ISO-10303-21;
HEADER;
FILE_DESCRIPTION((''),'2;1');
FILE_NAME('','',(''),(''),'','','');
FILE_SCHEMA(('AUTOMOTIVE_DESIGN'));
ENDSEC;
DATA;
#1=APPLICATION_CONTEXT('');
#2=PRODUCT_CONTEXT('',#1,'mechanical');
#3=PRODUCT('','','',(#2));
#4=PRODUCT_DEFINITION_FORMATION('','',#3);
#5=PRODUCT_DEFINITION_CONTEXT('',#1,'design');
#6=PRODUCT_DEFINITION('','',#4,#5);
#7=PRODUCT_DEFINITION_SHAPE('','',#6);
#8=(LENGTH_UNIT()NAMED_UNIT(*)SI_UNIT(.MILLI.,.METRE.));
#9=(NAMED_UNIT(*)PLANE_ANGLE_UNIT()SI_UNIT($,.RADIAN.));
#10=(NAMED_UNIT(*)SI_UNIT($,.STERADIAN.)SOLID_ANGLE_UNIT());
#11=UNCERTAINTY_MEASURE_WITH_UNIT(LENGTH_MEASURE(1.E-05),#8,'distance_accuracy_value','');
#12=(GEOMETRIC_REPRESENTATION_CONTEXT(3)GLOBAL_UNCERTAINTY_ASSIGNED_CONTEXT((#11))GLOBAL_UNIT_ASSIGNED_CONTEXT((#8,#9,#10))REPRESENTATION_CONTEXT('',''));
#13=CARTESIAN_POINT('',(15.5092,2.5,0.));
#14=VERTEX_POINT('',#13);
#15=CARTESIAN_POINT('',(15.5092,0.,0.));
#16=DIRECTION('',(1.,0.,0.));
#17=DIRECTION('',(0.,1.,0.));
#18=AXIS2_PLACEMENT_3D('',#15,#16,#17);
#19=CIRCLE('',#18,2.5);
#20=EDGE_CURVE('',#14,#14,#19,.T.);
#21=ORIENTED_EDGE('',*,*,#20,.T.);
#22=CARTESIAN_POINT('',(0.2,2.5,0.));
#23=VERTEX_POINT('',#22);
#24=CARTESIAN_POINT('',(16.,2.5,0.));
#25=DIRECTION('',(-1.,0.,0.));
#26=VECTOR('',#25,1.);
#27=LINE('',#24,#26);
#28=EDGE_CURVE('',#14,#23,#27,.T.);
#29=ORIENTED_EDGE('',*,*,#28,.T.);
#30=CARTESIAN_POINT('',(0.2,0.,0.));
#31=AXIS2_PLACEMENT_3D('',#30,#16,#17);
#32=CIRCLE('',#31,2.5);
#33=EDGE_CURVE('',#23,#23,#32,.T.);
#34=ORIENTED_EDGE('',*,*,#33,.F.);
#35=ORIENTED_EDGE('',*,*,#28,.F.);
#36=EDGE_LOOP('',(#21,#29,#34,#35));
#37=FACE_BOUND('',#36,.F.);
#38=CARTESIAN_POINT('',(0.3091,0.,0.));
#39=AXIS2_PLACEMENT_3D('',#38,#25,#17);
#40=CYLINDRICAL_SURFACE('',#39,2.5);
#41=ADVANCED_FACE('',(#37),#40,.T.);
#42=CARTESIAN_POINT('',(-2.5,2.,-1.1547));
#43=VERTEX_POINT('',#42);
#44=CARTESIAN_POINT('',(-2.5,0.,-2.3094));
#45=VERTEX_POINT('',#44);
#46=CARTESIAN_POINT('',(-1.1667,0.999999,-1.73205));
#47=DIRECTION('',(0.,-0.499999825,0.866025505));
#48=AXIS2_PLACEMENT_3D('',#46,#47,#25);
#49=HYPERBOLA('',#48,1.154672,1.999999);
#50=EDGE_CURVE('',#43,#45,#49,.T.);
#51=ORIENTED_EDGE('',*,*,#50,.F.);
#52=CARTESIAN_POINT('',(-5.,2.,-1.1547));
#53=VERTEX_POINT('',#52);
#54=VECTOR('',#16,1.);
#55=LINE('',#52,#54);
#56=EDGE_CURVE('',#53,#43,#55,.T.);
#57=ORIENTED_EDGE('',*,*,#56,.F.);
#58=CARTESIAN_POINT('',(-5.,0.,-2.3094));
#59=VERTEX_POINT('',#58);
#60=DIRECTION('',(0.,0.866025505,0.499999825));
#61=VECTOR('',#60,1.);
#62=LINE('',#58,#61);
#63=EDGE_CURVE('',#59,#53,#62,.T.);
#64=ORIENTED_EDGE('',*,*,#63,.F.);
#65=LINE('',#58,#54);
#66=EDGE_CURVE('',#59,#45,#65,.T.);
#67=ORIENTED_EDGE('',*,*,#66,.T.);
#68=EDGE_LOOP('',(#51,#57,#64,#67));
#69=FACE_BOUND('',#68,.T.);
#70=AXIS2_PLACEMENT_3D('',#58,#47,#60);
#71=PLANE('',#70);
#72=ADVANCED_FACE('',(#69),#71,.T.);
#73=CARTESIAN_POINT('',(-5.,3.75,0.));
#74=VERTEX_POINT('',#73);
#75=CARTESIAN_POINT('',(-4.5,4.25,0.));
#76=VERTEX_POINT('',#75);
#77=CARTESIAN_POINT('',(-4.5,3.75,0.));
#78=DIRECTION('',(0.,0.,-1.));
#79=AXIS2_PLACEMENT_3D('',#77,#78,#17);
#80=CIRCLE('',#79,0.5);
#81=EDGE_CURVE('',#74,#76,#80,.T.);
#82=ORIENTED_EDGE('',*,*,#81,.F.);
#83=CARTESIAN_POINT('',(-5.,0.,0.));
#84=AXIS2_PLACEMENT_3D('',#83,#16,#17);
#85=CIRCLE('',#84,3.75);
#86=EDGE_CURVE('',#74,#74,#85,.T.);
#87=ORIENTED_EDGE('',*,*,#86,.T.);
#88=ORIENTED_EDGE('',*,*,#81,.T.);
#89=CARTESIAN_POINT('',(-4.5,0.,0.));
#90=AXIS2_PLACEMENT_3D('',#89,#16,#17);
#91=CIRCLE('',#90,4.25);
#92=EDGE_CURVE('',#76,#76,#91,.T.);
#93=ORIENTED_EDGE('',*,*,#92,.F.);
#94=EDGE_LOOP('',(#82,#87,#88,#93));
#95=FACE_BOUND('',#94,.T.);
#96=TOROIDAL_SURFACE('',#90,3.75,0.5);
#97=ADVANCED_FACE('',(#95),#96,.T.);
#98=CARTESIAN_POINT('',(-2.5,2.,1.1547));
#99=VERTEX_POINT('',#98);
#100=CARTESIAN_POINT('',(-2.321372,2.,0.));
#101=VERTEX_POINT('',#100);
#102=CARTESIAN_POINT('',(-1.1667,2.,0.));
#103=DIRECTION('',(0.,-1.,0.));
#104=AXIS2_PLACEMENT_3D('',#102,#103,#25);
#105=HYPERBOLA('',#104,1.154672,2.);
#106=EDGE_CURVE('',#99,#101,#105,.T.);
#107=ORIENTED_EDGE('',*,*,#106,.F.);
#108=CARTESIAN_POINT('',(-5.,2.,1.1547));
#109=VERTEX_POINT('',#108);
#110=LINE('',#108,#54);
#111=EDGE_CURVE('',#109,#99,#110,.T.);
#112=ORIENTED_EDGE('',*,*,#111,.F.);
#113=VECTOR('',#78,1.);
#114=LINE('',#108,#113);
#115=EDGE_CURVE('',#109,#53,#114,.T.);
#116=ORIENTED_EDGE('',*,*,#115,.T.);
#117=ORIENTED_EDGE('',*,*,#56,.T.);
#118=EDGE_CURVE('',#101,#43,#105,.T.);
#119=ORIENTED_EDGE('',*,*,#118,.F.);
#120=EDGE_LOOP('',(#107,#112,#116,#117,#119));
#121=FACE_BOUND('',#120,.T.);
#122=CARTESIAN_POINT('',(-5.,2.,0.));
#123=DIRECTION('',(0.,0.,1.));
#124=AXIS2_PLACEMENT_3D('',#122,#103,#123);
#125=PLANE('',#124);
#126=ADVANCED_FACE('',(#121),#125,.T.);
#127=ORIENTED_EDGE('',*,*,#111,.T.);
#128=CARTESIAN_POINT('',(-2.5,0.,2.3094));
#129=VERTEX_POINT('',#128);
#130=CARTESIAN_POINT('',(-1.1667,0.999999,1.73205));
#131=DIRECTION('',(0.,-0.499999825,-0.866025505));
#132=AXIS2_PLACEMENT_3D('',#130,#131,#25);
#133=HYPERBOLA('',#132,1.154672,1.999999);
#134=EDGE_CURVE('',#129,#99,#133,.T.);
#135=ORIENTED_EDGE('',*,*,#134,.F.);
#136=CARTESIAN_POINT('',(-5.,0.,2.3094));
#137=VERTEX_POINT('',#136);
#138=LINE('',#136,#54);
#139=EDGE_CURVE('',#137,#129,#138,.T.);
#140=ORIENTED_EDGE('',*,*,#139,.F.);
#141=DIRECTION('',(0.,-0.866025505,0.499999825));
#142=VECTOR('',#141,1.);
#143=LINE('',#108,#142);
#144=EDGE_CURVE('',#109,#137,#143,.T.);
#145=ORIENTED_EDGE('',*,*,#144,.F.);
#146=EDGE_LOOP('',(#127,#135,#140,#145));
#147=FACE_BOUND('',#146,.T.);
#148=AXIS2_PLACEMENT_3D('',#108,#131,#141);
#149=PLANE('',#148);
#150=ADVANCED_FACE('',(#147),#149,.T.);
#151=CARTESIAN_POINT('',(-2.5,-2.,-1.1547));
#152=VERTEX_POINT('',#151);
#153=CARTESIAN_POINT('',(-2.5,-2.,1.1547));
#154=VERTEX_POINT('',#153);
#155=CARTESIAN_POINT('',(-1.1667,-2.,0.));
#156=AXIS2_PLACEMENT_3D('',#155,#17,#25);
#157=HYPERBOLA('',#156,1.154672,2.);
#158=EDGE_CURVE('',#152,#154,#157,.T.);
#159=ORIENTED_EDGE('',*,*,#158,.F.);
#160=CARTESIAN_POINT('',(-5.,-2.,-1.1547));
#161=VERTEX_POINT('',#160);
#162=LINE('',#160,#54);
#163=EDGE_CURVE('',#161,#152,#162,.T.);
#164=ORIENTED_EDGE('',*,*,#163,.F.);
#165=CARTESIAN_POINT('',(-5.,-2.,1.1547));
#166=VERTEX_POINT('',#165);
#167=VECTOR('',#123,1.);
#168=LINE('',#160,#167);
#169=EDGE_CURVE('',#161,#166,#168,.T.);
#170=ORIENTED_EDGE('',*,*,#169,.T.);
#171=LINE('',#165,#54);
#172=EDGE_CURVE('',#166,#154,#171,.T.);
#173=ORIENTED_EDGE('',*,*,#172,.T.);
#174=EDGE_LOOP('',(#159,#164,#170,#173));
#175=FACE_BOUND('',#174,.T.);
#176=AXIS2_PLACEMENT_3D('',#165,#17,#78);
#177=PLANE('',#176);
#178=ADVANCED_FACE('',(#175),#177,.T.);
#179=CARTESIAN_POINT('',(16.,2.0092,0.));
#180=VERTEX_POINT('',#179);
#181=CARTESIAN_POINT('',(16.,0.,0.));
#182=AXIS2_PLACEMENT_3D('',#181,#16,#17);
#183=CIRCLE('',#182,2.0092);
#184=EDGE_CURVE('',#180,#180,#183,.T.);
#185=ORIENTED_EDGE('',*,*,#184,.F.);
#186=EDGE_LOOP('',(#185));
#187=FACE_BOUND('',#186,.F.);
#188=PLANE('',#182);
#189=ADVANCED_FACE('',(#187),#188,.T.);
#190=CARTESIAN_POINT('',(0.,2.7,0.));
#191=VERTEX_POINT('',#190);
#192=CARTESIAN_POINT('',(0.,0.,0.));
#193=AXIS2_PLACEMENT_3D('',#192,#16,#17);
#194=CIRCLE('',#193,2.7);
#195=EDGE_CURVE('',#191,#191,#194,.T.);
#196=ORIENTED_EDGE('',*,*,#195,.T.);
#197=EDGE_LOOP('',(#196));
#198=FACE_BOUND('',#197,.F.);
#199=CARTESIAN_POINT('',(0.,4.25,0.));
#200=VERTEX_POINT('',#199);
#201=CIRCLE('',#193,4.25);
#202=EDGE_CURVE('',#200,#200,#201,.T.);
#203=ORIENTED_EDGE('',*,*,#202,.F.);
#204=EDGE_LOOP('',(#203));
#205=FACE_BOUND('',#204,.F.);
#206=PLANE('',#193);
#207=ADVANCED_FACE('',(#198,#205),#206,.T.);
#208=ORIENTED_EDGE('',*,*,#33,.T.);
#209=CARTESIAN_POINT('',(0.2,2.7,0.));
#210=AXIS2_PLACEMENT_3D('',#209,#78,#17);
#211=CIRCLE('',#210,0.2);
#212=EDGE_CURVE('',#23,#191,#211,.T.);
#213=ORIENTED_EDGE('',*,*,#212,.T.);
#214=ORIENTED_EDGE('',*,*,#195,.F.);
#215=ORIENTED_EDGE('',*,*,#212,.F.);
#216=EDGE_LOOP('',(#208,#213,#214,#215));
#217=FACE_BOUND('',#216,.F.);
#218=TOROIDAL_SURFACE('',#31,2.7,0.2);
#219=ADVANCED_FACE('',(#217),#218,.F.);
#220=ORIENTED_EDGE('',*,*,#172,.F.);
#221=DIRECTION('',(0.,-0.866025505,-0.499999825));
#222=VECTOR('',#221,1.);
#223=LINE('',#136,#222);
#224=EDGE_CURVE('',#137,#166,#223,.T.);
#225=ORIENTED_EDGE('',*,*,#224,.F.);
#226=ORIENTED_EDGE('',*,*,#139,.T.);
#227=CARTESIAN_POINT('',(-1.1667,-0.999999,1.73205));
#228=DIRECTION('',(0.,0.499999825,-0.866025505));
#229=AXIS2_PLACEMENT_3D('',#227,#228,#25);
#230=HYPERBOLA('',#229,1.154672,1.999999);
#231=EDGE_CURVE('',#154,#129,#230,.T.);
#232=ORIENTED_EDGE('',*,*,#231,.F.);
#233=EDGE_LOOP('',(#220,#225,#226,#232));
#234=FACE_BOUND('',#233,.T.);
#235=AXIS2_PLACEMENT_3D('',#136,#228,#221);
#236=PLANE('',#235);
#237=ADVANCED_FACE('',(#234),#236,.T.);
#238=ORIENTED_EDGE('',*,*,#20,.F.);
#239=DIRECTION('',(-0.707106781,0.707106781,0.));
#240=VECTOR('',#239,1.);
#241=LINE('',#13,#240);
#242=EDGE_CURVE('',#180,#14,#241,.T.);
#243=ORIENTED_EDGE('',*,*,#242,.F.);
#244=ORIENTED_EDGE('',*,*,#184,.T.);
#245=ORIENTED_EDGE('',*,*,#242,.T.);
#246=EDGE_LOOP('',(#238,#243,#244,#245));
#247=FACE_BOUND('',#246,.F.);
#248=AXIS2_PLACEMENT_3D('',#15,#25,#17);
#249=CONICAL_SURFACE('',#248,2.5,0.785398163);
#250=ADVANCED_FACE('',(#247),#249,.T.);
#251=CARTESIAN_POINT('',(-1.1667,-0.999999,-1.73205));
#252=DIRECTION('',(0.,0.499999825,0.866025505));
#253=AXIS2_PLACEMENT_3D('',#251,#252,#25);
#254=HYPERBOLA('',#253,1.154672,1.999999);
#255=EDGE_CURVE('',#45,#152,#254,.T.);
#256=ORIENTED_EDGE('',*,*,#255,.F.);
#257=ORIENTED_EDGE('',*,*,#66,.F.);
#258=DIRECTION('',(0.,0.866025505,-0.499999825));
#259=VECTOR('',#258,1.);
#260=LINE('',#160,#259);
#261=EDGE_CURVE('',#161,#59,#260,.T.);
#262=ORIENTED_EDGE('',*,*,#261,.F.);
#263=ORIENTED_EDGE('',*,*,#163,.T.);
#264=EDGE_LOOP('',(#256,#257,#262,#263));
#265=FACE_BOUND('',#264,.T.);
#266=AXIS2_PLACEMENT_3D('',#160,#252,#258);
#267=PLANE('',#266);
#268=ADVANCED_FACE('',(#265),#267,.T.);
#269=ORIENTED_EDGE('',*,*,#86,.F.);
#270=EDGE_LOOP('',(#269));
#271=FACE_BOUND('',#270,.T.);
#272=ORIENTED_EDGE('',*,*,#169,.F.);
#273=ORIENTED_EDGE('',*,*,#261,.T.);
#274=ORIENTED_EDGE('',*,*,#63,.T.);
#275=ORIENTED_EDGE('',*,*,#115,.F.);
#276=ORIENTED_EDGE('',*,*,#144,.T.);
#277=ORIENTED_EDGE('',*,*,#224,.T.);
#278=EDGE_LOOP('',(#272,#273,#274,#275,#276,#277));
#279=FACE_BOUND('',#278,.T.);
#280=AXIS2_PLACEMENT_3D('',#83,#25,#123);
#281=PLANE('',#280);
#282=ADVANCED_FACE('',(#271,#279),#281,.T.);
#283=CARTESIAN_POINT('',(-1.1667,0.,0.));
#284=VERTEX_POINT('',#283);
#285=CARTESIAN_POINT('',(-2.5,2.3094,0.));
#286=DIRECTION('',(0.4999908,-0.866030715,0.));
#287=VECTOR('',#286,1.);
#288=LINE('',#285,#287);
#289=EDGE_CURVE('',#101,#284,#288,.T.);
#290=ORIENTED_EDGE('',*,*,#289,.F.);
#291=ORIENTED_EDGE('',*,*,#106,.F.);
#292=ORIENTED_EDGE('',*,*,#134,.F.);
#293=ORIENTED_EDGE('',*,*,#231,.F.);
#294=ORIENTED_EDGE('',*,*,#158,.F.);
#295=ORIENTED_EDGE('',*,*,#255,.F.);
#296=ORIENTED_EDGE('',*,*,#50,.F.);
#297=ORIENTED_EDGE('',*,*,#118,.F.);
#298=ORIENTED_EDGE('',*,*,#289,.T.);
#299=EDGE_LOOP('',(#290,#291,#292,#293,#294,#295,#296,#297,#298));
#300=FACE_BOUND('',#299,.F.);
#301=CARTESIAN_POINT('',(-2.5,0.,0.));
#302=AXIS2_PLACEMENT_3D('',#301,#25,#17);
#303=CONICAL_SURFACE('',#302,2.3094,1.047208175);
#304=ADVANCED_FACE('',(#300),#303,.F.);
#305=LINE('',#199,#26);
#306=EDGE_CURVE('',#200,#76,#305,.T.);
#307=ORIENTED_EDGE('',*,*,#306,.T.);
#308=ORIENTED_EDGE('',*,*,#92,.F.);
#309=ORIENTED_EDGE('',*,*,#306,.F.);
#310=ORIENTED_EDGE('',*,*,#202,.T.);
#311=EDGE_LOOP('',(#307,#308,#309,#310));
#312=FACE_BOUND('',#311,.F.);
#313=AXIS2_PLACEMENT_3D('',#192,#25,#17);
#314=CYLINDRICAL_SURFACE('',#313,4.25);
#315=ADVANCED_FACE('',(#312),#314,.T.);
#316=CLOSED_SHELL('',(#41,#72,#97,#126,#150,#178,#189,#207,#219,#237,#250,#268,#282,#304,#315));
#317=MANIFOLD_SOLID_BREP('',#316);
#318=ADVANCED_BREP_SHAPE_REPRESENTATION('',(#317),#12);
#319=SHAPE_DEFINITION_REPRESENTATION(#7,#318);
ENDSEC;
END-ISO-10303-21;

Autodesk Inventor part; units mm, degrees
ref_plane "YZ Plane" through (0, 0, 0) normal (1, 0, 0) x (0, 1, 0)
ref_plane "XZ Plane" through (0, 0, 0) normal (0, 1, 0) x (-1, 0, 0)
sketch "Sketch1" plane through (0, 0, 0) normal (0, 0, 1) x (1, 0, 0)
  line L0 (-1.1667, 0) -> (16, 0)
  line L1 (16, 0) -> (16, 2.5)
  line L2 (16, 2.5) -> (0.8, 2.5)
  line L3 (0.8, 2.5) -> (0.3091, 2.5)
  line L4 (0.3091, 2.5) -> (0, 2.5)
  line L5 (0, 2.5) -> (0, 4.25)
  line L6 (0, 4.25) -> (-5, 4.25)
  line L7 (-5, 4.25) -> (-5, 2.3094)
  line L8 (-5, 2.3094) -> (-2.5, 2.3094)
  line L9 (-2.5, 2.3094) -> (-1.1667, 0)
  line L10 (-9.2, 0) -> (20.2, 0) projected
  line L11 (0, -0.85) -> (0, 5.1) projected
  line L12 (0.8, 2.5) -> (0, 2.5) construction
  dimension "d1" = 15.2
  dimension "d2" = 0.4909
  dimension "d3" = 5
  dimension "d4" = 2.5
  dimension "d5" = 60
  dimension "d6" = 5
  dimension "d7" = 5
  dimension "d8" = 4.6188
  dimension "d9" = 8.5
  dimension "d26" = 16
revolve "Body" add sketch "Sketch1" angle 360 about axis through (-1.1667, 0, 0) along (1, 0, 0)
sketch "Sketch2" plane through (-5, 0, 0) normal (-1, 0, 0) x (0, 0, 1)
  circle A0 centre (0, 0) radius 2.3094 projected
  line L0 (0, -5.95) -> (0, 5.95) projected
  line L1 (-5.95, 0) -> (5.95, 0) projected
  line L2 (2.3094, 0) -> (1.1547, -2)
  line L3 (1.1547, -2) -> (-1.1547, -2)
  line L4 (-1.1547, -2) -> (-2.3094, 0)
  line L5 (-2.3094, 0) -> (-1.1547, 2)
  line L6 (-1.1547, 2) -> (1.1547, 2)
  line L7 (1.1547, 2) -> (2.3094, 0)
extrude "Slot" add sketch "Sketch2" against normal up to next contours L7 A0 | A0 L2 | L6 L0 A0 | A0 L0 L3 | L0 L6 A0 | A0 L3 L0 | L4 A0 | A0 L5
fillet "Fillet1" radius 0.5 1 edges at (-5, -4.25, 0)
thread "Thread" size "M5x0.8" designation "M5" class "6g" standard "GB Metric profile" length 15.2
chamfer "Chamfer1" distance 0.4908 distance2 0.4908 1 edges at (16, -2.5, 0) measured on face at (16, -1.1374, -1.1324)
ref_plane "Work Plane1" through (29, 0, 0) normal (0, -1, 0) x (1, 0, 0)
fillet "Fillet2" radius 0.2 1 edges at (0, -2.5, 0)
equation "\"d1\" = GEL"
equation "\"d3\" = KOH"
equation "\"d4\" = INTI"
equation "\"d6\" = GD"
equation "\"d7\" = BDM"
equation "\"d8\" = 1.1547 * SW"
equation "\"d9\" = KOD"
equation "\"d26\" = NLG"
equation "\"d30\" = R"
equation "\"d17\" = RR"
equation "\"d13\" = GEL"
equation "\"d15\" = -0.5 * SPD + 0.5 * GD"
equation "\"d16\" = GUL"
equation "\"GD\" = NND"
equation "\"NLG\" = 16"
equation "\"GEL\" = 15.2"
equation "\"KOD\" = 8.5"
equation "\"KOH\" = NND"
equation "\"INTI\" = 2.5"
equation "\"GAL\" = 0.61345 * PTC"
equation "\"GUL\" = 0.61345 * PTC"
equation "\"BDM\" = NND"
equation "\"SW\" = 4"
equation "\"RR\" = 0.5"
equation "\"SPD\" = NND - 1.2269 * PTC"
equation "\"R\" = 0.2"
equation "\"TOA\" = 30deg"
equation "\"GD1\" = THREADDIA - 1.2269 * PTC"
equation "\"THREADDIA\" = 5"
equation "\"FAWI\" = 45deg"
equation "\"PTC\" = 0.8"
equation "\"NND\" = 5"
equation "\"E0\" = 1.155 * SW"
properties part number "Screw GB/T 70.1 M5 x 16(1)" material "Steel, Mild"
